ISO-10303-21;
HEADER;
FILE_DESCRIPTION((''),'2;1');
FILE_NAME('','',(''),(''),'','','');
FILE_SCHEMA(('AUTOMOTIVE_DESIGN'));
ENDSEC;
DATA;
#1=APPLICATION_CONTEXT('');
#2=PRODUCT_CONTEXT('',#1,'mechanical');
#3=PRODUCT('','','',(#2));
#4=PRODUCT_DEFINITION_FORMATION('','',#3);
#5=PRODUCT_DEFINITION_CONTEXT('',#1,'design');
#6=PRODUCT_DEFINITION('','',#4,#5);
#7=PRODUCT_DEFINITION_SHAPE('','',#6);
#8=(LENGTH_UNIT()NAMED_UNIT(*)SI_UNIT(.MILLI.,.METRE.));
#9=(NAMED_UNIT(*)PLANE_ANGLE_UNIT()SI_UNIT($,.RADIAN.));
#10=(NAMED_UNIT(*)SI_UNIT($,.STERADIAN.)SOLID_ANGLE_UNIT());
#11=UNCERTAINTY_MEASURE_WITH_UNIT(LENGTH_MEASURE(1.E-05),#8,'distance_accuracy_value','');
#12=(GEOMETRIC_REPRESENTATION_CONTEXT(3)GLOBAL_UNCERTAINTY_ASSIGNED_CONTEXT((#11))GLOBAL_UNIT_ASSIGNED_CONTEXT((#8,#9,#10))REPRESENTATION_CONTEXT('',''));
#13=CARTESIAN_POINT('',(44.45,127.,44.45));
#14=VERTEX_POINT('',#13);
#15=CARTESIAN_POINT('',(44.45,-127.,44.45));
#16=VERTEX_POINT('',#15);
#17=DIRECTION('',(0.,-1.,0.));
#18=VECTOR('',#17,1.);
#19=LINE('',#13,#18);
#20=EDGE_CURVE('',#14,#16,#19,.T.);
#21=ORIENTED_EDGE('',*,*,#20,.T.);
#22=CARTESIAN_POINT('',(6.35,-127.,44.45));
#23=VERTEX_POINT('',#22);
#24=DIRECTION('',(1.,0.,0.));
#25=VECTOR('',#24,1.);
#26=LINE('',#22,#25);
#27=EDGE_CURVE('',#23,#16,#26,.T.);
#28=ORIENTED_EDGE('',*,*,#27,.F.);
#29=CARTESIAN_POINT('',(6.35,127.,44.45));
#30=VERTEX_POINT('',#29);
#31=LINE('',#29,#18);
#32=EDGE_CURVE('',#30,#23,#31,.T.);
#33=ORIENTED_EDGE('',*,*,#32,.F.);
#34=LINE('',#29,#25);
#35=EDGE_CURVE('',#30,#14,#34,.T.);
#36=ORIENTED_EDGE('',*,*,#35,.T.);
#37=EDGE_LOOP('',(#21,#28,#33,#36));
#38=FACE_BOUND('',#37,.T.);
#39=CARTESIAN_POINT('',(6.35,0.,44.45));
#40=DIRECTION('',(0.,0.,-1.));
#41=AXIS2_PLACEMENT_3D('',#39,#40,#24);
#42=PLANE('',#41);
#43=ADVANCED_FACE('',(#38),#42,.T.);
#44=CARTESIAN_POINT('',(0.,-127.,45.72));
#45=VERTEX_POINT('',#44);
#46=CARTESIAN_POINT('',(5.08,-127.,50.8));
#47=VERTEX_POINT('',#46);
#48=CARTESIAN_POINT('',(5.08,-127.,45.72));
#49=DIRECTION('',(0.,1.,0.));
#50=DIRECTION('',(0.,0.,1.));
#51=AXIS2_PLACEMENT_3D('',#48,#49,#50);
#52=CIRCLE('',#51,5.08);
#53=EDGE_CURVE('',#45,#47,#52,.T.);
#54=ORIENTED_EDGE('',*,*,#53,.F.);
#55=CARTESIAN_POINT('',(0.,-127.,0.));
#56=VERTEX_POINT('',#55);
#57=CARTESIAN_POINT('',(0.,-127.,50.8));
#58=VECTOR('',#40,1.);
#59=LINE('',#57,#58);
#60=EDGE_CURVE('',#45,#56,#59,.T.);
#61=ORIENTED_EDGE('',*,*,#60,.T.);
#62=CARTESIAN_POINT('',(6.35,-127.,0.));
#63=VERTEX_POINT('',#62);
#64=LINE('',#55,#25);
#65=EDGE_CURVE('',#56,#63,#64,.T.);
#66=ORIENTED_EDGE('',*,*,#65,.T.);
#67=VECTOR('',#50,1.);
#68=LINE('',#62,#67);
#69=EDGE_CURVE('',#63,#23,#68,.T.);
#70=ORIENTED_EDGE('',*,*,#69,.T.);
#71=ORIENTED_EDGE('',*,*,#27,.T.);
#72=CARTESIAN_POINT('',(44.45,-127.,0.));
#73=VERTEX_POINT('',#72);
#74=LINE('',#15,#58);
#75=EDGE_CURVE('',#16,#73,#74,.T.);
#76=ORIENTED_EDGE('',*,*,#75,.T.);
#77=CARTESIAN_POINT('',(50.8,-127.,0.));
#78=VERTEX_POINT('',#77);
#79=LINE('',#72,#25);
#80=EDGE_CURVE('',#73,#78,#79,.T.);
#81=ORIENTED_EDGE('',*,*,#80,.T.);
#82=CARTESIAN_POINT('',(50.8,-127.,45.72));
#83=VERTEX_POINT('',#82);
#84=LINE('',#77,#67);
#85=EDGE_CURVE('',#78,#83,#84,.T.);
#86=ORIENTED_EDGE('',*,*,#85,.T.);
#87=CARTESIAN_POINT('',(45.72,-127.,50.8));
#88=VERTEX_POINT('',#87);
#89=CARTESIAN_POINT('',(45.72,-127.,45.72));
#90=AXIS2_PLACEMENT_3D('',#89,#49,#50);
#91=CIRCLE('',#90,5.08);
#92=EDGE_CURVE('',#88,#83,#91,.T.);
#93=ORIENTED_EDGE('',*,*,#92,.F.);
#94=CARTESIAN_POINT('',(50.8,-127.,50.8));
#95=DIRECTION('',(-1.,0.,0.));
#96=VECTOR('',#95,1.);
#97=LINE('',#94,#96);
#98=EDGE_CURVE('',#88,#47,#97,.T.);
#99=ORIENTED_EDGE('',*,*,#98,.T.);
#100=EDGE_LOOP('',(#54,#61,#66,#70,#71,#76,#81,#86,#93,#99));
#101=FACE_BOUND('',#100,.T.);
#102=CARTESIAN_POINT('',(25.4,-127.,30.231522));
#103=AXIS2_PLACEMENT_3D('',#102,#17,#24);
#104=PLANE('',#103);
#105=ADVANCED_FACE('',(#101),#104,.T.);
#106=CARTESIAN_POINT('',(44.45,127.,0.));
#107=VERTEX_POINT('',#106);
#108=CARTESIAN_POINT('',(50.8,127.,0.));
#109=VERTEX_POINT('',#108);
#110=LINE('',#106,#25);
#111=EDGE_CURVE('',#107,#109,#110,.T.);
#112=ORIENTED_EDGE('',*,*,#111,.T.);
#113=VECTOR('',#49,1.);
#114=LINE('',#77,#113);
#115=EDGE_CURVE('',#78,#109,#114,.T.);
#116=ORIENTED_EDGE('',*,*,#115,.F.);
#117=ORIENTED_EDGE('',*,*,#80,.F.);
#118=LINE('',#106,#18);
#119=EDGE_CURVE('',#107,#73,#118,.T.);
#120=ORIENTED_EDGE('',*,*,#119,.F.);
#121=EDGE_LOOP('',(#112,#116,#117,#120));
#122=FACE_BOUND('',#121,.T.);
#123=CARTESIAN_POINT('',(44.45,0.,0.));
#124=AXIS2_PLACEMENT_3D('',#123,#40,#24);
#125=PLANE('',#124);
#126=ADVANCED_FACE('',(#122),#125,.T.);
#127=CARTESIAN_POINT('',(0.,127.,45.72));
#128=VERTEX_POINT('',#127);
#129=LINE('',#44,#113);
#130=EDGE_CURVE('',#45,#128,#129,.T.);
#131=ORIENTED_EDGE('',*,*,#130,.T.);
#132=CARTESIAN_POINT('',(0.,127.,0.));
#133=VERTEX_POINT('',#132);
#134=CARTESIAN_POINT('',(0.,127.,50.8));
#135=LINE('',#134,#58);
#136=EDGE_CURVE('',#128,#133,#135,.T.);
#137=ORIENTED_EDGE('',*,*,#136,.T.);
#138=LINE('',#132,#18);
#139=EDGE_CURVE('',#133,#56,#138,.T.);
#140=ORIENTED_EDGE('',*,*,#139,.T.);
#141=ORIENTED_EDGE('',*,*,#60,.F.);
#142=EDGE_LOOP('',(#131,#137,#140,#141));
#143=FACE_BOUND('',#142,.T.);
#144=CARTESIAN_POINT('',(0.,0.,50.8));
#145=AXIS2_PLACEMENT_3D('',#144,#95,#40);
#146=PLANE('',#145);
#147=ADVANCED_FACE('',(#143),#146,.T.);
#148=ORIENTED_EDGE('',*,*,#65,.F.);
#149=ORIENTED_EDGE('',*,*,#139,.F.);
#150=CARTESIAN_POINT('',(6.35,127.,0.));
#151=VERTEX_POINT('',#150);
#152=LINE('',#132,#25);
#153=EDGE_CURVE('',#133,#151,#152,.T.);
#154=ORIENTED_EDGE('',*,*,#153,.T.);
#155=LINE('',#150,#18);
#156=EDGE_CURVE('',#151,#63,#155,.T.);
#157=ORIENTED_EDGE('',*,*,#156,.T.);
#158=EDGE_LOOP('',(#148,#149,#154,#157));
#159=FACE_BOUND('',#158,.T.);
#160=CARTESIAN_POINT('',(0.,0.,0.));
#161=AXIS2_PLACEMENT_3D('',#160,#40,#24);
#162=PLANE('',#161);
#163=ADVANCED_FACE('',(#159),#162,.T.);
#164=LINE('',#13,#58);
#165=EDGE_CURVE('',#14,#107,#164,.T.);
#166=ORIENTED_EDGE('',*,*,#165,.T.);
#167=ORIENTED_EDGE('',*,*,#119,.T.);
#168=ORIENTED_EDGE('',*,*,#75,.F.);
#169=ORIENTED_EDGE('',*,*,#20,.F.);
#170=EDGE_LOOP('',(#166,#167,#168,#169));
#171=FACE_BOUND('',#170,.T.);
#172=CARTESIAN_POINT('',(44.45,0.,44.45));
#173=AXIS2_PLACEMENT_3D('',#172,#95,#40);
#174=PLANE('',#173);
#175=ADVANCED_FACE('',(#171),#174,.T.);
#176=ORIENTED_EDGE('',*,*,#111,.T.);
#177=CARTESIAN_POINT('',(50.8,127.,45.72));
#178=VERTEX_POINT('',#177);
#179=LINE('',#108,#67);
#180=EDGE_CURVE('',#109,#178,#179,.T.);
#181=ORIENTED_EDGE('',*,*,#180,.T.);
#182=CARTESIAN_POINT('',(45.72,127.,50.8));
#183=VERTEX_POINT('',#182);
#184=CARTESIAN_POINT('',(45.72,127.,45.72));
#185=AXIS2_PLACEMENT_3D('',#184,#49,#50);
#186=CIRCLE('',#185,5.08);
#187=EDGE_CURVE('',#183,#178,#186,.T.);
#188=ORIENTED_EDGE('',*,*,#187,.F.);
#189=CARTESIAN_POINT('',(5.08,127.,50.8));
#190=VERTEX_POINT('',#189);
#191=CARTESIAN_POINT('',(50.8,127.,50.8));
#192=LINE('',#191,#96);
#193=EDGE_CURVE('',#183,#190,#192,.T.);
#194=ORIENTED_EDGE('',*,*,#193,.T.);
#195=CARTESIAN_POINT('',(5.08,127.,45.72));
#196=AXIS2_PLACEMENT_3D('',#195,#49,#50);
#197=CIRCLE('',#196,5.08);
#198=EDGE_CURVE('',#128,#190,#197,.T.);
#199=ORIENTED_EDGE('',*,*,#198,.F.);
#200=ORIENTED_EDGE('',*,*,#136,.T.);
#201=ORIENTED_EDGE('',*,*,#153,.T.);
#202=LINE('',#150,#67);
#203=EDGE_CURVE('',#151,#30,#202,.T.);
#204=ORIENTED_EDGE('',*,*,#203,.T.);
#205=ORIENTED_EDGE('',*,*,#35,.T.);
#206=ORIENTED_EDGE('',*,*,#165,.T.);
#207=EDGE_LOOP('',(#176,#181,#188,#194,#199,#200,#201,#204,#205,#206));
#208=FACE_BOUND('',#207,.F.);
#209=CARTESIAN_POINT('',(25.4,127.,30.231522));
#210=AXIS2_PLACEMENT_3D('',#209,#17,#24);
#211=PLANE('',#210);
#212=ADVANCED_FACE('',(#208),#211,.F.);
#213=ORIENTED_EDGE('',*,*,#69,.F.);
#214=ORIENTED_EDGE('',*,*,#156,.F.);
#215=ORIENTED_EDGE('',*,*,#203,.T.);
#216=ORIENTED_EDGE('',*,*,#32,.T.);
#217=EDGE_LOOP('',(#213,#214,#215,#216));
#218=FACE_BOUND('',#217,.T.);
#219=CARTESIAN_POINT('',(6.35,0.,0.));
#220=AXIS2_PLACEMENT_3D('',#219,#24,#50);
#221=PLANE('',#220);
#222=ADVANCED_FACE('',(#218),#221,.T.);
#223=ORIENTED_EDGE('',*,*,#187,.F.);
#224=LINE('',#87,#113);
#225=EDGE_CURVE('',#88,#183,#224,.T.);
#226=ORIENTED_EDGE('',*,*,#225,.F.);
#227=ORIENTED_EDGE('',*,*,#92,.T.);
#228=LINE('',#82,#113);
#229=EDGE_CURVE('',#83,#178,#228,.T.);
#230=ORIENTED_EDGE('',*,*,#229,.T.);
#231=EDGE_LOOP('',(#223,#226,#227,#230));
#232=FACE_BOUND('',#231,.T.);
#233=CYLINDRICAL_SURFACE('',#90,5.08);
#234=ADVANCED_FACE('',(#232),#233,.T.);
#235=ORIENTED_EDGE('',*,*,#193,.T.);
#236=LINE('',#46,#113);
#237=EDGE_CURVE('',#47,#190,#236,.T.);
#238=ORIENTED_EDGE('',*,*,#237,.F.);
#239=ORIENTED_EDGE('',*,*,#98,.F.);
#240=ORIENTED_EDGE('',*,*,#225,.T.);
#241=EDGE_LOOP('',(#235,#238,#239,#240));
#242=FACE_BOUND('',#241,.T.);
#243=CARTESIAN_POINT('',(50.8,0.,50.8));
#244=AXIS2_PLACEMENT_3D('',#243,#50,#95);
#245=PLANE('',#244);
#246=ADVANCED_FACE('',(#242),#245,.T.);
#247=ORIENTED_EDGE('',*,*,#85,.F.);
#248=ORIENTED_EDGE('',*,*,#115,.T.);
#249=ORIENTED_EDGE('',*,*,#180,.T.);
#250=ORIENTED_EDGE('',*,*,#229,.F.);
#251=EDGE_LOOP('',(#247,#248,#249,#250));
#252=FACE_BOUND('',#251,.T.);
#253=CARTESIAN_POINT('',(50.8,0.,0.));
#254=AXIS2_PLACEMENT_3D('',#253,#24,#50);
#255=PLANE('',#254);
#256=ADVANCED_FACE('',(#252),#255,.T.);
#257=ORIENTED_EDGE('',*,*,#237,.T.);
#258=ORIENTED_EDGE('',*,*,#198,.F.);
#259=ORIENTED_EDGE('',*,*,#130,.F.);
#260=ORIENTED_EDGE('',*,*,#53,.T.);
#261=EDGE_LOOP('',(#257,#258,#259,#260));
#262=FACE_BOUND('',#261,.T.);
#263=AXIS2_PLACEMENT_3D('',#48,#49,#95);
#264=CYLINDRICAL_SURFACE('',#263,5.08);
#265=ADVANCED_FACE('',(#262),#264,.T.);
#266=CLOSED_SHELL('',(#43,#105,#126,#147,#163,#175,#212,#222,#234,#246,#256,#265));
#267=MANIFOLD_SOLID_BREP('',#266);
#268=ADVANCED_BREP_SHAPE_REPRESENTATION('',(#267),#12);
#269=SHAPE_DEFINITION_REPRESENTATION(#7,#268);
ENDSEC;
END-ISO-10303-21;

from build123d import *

# Parameters (mm, degrees)
F1_DEPTH = 127
F2_R     = 5.08


with BuildPart() as f1:
    # F0 (on Front) → F1 (new body, symmetric)
    with BuildSketch(Plane.XZ):
        Polygon((0, 50.8), (0, 0), (6.35, 0), (6.35, 44.45), (44.45, 44.45), (44.45, 0), (50.8, 0), (50.8, 50.8), align=None)
    extrude(amount=F1_DEPTH, both=True)

    # F2
    f2_edges = [f1.edges().sort_by_distance(p)[0] for p in [
        (0, 0, 50.8),
        (50.8, 0, 50.8),
    ]]
    fillet(f2_edges, radius=F2_R)


solid = f1.part
